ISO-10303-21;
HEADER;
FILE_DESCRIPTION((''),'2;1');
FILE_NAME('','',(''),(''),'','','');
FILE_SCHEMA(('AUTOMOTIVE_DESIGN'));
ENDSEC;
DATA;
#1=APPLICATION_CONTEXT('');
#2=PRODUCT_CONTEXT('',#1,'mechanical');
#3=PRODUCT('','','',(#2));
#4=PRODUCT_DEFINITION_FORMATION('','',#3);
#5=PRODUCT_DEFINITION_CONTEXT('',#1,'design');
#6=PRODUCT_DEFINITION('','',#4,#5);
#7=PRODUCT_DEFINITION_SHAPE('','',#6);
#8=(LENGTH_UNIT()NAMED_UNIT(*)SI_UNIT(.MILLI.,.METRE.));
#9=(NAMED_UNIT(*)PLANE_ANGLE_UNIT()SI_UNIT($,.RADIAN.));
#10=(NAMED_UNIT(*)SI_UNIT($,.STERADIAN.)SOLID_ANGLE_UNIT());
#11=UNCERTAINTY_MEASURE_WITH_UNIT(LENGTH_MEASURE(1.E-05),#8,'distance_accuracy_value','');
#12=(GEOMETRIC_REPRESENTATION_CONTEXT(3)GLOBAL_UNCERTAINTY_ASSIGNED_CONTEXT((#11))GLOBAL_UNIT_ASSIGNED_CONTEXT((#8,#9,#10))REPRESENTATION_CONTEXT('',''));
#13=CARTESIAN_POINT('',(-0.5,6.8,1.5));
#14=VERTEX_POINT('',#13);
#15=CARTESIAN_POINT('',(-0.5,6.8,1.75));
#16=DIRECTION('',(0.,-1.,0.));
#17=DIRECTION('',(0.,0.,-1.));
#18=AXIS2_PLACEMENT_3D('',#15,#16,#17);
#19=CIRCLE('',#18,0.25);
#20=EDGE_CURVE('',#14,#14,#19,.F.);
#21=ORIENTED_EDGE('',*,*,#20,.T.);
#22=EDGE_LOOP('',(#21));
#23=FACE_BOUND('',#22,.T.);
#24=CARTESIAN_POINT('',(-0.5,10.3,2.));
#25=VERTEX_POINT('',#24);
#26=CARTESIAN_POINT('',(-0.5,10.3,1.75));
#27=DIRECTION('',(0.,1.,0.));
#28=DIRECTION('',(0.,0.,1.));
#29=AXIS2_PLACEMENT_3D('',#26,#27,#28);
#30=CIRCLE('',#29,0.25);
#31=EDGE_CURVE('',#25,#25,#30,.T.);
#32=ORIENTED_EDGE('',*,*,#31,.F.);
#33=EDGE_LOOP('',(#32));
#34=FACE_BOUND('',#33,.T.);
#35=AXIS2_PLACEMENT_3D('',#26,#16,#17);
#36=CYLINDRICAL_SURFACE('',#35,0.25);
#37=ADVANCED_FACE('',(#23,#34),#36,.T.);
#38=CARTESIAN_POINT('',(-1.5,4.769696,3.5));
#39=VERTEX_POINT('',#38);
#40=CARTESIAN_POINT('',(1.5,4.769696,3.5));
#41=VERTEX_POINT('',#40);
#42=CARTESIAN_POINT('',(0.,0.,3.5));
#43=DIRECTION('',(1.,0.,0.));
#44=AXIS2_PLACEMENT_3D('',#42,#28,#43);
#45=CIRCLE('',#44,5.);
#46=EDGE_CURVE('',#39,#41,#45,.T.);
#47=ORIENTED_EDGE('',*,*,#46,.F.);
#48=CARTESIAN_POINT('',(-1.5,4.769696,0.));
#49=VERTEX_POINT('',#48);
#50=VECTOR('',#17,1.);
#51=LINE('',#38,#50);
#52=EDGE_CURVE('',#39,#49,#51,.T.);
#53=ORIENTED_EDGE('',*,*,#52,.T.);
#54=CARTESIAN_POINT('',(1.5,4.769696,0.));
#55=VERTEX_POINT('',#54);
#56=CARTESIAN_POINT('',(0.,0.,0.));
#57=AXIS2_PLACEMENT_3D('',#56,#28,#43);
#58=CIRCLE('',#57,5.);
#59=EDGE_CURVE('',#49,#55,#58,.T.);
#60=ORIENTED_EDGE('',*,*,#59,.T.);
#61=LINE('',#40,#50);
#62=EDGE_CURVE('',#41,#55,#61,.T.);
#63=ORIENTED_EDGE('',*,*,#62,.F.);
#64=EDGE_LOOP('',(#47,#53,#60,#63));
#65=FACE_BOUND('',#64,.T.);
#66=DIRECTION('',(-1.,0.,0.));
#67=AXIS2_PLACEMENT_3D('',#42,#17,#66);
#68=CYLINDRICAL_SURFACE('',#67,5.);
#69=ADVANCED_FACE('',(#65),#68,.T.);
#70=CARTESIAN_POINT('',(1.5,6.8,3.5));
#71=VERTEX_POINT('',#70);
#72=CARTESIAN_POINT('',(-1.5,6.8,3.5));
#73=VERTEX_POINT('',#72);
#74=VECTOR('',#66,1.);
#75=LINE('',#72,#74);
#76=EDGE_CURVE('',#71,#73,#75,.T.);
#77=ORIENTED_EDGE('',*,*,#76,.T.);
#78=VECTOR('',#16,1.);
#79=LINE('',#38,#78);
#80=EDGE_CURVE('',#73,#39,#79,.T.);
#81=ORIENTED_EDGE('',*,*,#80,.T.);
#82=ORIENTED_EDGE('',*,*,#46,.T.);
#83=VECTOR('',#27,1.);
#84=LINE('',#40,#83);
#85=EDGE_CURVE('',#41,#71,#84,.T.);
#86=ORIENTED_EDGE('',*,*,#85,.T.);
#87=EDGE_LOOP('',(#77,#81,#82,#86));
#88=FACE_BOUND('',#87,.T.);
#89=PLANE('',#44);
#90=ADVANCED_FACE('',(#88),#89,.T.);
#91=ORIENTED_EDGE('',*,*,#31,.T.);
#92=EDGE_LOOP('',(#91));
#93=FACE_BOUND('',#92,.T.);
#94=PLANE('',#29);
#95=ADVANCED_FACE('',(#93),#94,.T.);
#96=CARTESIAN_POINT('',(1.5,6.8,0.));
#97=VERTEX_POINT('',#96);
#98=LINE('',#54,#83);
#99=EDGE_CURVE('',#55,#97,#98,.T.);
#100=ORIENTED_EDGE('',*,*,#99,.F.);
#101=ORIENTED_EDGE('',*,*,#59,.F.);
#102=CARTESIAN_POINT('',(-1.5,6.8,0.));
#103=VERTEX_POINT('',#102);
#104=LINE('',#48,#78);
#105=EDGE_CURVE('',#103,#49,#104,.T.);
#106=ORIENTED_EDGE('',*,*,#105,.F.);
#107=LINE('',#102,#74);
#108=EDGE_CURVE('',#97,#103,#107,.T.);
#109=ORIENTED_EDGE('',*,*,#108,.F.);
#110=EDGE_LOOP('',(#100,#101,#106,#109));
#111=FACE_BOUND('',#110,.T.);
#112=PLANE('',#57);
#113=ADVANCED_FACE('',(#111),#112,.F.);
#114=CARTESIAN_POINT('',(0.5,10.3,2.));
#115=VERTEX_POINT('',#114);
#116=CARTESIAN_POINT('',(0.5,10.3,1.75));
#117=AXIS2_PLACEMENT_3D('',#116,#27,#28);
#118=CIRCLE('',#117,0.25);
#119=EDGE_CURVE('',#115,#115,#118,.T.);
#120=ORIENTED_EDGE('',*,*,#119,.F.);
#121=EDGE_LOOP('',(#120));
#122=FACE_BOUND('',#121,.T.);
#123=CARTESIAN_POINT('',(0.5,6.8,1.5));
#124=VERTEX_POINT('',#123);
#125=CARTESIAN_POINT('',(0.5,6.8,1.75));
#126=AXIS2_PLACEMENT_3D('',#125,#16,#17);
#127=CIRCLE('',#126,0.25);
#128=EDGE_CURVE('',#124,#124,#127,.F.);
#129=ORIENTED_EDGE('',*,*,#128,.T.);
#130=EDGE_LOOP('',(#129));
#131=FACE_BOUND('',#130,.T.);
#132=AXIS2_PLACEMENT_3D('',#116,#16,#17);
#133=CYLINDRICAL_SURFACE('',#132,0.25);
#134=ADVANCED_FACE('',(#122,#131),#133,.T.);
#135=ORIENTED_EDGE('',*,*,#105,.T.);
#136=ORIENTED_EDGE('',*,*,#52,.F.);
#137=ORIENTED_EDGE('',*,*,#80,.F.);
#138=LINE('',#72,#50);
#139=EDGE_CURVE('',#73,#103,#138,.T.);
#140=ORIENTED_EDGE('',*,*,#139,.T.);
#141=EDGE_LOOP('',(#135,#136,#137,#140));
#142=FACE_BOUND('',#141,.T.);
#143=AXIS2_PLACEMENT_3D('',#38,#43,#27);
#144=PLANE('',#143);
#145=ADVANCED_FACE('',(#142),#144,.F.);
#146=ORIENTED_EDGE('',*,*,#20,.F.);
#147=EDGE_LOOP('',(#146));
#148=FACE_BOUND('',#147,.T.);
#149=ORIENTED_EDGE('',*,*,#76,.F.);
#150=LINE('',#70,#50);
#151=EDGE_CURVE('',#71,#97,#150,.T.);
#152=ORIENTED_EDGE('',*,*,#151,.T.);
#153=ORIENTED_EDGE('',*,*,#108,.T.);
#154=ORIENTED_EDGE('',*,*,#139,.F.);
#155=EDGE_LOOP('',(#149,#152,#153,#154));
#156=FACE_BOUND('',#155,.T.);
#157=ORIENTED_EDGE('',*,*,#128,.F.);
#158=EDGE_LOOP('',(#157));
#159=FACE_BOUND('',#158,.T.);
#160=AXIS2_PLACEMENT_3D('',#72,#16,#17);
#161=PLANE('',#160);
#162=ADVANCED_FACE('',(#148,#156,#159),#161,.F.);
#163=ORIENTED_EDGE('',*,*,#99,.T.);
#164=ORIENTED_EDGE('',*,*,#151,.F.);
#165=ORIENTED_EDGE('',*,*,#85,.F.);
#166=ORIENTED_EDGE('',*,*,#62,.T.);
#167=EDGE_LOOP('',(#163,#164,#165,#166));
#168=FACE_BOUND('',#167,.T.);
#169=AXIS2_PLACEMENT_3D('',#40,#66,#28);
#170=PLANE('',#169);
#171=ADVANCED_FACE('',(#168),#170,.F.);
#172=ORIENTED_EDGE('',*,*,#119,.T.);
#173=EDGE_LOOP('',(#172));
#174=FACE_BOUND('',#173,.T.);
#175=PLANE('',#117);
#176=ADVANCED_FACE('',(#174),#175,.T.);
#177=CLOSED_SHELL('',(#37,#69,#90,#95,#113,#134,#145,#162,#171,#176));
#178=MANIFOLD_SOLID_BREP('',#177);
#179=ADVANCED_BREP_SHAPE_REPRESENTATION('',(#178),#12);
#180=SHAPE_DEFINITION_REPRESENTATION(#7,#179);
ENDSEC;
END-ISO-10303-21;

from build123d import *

# Parameters (mm, degrees)
BOSS_EXTRUDE1_DEPTH = 3.5
SKETCH2_R           = 0.25
BOSS_EXTRUDE2_DEPTH = 3.5


with BuildPart() as part:
    # Sketch1 → Boss-Extrude1 (new body)
    with BuildSketch(Plane.XY):
        with BuildLine():
            Line((-1.5, 4.769696007), (-1.5, 6.8))
            Line((-1.5, 6.8), (1.5, 6.8))
            Line((1.5, 6.8), (1.5, 4.769696007))
            ThreePointArc((1.5, 4.769696007), (0, -5), (-1.5, 4.769696007))
        make_face()
    extrude(amount=BOSS_EXTRUDE1_DEPTH)

    # Sketch2 → Boss-Extrude2 (add)
    with BuildSketch(Plane(origin=(0, 6.8, 0), x_dir=(1, 0, 0), z_dir=(0, 1, 0))):
        with Locations(Location((-0.5, -1.75, 0), (0, 0, 90))):
            Circle(SKETCH2_R)
        with Locations(Location((0.5, -1.75, 0), (0, 0, 90))):
            Circle(SKETCH2_R)
    extrude(amount=BOSS_EXTRUDE2_DEPTH)


solid = part.part
